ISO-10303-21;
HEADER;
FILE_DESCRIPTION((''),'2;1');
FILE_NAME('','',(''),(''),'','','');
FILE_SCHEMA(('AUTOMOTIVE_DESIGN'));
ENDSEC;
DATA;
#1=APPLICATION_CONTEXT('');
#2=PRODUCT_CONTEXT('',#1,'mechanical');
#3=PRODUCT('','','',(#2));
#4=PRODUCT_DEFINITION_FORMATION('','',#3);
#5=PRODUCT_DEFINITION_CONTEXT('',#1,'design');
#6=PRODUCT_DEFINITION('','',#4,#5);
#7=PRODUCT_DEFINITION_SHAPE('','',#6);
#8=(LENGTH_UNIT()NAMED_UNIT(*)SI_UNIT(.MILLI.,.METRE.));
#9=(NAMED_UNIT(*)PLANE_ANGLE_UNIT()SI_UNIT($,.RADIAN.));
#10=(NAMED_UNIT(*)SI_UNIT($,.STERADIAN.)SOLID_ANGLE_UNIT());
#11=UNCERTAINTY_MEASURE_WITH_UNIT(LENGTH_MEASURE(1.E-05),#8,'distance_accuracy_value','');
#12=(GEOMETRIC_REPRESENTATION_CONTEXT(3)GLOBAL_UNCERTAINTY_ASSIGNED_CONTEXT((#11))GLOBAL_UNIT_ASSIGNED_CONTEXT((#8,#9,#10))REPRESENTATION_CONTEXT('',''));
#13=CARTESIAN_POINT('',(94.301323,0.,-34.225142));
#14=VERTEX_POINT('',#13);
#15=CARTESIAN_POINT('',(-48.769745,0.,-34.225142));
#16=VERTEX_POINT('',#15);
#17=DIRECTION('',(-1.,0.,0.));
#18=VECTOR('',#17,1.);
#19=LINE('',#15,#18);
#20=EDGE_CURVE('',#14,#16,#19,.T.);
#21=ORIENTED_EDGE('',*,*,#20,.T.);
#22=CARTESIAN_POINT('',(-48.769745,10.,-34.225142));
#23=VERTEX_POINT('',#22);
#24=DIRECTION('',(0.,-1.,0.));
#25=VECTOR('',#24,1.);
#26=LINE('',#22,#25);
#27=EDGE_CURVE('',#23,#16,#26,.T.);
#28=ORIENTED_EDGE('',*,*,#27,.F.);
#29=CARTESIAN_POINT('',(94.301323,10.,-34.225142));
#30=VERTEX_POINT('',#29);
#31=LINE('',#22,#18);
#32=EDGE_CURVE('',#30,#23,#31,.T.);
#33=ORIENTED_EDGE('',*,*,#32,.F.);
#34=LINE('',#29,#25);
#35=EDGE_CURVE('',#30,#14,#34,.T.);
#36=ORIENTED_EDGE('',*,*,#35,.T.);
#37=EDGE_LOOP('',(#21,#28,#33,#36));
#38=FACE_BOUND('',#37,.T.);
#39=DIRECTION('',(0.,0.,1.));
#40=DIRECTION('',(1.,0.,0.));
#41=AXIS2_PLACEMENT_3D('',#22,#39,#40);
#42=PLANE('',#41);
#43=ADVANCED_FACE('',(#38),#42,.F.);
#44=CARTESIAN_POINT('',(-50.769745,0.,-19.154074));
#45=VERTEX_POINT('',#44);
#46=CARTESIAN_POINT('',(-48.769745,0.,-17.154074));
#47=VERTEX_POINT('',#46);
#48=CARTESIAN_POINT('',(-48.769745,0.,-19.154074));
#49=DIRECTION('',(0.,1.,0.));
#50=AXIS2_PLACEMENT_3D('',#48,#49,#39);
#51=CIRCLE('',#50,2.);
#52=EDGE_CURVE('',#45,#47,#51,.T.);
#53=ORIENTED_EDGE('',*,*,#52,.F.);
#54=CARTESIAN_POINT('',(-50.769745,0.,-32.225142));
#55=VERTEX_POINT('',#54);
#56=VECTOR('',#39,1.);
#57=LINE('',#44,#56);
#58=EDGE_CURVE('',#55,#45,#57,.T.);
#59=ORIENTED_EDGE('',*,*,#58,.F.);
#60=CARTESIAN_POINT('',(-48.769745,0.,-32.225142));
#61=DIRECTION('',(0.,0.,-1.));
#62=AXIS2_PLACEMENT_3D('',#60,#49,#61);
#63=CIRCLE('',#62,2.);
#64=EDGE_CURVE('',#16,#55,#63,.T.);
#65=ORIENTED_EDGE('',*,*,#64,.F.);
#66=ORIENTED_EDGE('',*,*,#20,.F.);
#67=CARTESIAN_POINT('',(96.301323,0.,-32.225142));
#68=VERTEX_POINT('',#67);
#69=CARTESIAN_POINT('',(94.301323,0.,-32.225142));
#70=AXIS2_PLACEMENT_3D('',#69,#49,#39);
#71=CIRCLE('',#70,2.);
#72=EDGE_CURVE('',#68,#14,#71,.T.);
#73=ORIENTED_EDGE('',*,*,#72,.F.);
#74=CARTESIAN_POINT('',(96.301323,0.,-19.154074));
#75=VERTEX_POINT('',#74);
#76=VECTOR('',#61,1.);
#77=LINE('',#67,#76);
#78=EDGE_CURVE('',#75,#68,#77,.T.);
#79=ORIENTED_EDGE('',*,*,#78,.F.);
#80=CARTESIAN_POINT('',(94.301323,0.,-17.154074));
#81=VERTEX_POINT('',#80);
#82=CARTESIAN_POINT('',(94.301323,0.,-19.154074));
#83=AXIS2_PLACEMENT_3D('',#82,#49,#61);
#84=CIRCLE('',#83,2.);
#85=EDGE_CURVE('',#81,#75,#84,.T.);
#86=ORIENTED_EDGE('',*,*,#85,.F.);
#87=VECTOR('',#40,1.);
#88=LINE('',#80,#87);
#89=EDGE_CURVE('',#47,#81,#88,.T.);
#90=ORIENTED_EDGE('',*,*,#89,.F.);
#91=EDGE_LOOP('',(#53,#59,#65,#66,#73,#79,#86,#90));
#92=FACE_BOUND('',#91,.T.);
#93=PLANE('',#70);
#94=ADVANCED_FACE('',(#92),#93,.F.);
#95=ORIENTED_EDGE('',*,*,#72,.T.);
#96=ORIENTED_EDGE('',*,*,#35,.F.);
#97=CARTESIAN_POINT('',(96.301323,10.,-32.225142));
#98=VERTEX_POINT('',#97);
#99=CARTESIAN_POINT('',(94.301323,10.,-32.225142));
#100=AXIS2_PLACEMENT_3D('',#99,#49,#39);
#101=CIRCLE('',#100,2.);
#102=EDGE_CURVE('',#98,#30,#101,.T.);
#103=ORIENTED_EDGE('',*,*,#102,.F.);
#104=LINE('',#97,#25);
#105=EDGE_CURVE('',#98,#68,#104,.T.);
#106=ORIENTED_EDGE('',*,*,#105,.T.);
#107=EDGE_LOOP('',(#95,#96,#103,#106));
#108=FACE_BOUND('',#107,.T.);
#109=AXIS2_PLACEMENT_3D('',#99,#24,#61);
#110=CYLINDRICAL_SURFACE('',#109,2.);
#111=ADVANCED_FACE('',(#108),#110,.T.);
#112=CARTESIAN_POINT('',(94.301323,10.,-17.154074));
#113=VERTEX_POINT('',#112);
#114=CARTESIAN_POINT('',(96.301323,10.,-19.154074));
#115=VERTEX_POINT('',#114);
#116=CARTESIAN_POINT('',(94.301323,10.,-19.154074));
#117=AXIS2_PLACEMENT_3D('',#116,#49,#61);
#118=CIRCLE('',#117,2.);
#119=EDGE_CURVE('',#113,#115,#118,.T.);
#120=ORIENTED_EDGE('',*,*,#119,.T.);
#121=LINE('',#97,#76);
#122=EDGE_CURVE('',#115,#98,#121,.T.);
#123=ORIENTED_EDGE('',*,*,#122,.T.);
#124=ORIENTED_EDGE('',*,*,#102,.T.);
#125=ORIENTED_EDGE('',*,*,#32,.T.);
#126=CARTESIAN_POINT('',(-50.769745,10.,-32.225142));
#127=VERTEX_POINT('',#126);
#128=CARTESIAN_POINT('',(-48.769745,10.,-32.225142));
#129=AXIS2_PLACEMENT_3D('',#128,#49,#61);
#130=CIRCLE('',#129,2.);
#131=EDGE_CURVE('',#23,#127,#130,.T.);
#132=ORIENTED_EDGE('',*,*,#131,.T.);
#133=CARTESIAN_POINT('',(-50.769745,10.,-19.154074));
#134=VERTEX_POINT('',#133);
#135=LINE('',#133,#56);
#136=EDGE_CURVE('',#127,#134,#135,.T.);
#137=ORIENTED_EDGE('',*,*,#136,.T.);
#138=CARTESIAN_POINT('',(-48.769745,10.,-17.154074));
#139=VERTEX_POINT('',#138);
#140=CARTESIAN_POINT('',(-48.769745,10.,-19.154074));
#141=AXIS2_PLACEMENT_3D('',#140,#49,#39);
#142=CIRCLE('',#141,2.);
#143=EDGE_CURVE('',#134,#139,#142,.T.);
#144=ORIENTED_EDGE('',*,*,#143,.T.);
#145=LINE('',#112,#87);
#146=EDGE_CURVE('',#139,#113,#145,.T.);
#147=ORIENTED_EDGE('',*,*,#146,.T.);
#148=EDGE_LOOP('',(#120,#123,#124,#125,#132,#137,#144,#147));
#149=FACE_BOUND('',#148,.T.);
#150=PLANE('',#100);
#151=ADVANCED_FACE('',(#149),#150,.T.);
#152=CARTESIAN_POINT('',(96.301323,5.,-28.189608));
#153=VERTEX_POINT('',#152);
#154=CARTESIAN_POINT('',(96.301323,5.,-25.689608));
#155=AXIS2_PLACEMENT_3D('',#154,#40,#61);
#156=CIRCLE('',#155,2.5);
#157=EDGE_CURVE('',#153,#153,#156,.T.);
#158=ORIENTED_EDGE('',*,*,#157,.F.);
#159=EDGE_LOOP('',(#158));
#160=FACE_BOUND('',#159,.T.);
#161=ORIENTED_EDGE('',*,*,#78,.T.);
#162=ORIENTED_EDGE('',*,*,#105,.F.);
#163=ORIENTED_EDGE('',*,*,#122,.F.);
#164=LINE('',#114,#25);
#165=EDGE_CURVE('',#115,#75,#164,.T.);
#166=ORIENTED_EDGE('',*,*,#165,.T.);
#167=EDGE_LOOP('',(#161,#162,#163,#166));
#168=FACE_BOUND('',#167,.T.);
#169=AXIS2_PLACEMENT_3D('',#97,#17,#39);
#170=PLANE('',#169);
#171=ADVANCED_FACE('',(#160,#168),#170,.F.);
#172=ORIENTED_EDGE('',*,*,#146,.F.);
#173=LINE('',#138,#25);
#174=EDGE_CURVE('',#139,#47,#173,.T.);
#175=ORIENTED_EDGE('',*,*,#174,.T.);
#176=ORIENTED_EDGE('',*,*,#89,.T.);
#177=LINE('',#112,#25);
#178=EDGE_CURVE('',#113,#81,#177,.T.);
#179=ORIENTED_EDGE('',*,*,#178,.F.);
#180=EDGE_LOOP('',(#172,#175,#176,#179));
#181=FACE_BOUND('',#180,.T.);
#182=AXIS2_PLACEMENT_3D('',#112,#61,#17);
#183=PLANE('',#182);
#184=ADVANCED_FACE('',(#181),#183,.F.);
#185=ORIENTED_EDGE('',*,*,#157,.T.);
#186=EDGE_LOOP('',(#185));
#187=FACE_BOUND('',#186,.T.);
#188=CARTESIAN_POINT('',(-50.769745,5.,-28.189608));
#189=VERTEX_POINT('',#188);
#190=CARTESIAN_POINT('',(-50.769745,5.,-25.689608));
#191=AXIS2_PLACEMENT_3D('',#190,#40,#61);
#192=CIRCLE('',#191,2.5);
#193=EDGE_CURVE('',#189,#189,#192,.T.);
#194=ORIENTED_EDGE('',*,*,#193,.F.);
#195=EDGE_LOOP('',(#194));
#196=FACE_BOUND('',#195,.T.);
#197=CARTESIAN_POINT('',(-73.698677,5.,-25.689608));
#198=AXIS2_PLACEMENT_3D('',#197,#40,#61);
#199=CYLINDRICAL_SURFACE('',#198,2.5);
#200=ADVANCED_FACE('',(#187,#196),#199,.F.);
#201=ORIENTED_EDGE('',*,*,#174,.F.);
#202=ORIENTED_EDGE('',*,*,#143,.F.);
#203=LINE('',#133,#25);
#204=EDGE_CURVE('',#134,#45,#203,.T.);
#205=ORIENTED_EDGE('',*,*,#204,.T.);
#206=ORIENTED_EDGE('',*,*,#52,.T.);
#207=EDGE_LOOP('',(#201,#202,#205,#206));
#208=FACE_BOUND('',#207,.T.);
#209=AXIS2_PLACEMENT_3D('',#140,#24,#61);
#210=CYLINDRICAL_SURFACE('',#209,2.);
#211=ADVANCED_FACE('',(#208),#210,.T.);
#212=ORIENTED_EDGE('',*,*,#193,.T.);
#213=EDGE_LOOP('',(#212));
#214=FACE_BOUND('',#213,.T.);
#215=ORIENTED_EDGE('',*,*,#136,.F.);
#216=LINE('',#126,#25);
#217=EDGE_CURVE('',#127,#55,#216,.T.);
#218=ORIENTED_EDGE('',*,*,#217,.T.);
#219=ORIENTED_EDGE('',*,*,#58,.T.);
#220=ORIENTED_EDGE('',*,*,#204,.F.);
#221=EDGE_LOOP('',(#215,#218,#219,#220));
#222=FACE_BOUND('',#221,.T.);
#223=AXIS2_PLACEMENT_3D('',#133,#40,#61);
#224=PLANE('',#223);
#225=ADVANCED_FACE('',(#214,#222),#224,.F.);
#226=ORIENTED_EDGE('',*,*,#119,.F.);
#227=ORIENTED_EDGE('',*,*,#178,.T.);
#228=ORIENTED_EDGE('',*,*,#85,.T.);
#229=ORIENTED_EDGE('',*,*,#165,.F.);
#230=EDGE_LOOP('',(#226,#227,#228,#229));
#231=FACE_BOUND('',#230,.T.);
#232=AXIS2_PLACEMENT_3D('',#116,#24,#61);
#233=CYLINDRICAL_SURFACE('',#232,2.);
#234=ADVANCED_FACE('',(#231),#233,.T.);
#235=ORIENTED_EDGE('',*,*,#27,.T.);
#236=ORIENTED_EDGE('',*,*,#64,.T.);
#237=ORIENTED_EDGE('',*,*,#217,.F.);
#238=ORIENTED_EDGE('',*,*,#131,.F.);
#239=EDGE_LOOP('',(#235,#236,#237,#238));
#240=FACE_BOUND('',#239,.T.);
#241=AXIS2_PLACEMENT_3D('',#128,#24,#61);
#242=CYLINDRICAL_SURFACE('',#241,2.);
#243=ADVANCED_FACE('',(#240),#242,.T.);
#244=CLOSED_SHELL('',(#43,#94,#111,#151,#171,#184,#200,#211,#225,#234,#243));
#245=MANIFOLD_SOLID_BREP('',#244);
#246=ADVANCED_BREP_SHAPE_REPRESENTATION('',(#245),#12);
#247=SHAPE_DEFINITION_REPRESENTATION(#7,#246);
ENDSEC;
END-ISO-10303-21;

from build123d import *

# Parameters (mm, degrees)
Y_KSEKLIK_EKSTR_ZYON1_DEPTH = 10
IZIM2_R                     = 2.5
KES_EKSTR_ZYON1_DEPTH       = 170


with BuildPart() as part:
    # Çizim1 → Yükseklik-Ekstrüzyon1 (new body)
    with BuildSketch(Plane(origin=(0, 0, 0), x_dir=(1, 0, 0), z_dir=(0, 1, 0))):
        with BuildLine():
            Line((-48.769745033, 34.22514167), (94.301322779, 34.22514167))
            ThreePointArc((94.301322779, 34.22514167), (95.715536341, 33.639355233), (96.301322779, 32.22514167))
            Line((96.301322779, 32.22514167), (96.301322779, 19.154073858))
            ThreePointArc((96.301322779, 19.154073858), (95.715536341, 17.739860296), (94.301322779, 17.154073858))
            Line((94.301322779, 17.154073858), (-48.769745033, 17.154073858))
            ThreePointArc((-48.769745033, 17.154073858), (-50.183958595, 17.739860296), (-50.769745033, 19.154073858))
            Line((-50.769745033, 19.154073858), (-50.769745033, 32.22514167))
            ThreePointArc((-50.769745033, 32.22514167), (-50.183958595, 33.639355233), (-48.769745033, 34.22514167))
        make_face()
    extrude(amount=Y_KSEKLIK_EKSTR_ZYON1_DEPTH)

    # Çizim2 → Kes-Ekstrüzyon1 (cut)
    with BuildSketch(Plane(origin=(96.301322779, 0, 0), x_dir=(0, 0, -1), z_dir=(1, 0, 0))):
        with Locations((25.689607764, 5)):
            Circle(IZIM2_R)
    extrude(amount=-KES_EKSTR_ZYON1_DEPTH, mode=Mode.SUBTRACT)


solid = part.part
